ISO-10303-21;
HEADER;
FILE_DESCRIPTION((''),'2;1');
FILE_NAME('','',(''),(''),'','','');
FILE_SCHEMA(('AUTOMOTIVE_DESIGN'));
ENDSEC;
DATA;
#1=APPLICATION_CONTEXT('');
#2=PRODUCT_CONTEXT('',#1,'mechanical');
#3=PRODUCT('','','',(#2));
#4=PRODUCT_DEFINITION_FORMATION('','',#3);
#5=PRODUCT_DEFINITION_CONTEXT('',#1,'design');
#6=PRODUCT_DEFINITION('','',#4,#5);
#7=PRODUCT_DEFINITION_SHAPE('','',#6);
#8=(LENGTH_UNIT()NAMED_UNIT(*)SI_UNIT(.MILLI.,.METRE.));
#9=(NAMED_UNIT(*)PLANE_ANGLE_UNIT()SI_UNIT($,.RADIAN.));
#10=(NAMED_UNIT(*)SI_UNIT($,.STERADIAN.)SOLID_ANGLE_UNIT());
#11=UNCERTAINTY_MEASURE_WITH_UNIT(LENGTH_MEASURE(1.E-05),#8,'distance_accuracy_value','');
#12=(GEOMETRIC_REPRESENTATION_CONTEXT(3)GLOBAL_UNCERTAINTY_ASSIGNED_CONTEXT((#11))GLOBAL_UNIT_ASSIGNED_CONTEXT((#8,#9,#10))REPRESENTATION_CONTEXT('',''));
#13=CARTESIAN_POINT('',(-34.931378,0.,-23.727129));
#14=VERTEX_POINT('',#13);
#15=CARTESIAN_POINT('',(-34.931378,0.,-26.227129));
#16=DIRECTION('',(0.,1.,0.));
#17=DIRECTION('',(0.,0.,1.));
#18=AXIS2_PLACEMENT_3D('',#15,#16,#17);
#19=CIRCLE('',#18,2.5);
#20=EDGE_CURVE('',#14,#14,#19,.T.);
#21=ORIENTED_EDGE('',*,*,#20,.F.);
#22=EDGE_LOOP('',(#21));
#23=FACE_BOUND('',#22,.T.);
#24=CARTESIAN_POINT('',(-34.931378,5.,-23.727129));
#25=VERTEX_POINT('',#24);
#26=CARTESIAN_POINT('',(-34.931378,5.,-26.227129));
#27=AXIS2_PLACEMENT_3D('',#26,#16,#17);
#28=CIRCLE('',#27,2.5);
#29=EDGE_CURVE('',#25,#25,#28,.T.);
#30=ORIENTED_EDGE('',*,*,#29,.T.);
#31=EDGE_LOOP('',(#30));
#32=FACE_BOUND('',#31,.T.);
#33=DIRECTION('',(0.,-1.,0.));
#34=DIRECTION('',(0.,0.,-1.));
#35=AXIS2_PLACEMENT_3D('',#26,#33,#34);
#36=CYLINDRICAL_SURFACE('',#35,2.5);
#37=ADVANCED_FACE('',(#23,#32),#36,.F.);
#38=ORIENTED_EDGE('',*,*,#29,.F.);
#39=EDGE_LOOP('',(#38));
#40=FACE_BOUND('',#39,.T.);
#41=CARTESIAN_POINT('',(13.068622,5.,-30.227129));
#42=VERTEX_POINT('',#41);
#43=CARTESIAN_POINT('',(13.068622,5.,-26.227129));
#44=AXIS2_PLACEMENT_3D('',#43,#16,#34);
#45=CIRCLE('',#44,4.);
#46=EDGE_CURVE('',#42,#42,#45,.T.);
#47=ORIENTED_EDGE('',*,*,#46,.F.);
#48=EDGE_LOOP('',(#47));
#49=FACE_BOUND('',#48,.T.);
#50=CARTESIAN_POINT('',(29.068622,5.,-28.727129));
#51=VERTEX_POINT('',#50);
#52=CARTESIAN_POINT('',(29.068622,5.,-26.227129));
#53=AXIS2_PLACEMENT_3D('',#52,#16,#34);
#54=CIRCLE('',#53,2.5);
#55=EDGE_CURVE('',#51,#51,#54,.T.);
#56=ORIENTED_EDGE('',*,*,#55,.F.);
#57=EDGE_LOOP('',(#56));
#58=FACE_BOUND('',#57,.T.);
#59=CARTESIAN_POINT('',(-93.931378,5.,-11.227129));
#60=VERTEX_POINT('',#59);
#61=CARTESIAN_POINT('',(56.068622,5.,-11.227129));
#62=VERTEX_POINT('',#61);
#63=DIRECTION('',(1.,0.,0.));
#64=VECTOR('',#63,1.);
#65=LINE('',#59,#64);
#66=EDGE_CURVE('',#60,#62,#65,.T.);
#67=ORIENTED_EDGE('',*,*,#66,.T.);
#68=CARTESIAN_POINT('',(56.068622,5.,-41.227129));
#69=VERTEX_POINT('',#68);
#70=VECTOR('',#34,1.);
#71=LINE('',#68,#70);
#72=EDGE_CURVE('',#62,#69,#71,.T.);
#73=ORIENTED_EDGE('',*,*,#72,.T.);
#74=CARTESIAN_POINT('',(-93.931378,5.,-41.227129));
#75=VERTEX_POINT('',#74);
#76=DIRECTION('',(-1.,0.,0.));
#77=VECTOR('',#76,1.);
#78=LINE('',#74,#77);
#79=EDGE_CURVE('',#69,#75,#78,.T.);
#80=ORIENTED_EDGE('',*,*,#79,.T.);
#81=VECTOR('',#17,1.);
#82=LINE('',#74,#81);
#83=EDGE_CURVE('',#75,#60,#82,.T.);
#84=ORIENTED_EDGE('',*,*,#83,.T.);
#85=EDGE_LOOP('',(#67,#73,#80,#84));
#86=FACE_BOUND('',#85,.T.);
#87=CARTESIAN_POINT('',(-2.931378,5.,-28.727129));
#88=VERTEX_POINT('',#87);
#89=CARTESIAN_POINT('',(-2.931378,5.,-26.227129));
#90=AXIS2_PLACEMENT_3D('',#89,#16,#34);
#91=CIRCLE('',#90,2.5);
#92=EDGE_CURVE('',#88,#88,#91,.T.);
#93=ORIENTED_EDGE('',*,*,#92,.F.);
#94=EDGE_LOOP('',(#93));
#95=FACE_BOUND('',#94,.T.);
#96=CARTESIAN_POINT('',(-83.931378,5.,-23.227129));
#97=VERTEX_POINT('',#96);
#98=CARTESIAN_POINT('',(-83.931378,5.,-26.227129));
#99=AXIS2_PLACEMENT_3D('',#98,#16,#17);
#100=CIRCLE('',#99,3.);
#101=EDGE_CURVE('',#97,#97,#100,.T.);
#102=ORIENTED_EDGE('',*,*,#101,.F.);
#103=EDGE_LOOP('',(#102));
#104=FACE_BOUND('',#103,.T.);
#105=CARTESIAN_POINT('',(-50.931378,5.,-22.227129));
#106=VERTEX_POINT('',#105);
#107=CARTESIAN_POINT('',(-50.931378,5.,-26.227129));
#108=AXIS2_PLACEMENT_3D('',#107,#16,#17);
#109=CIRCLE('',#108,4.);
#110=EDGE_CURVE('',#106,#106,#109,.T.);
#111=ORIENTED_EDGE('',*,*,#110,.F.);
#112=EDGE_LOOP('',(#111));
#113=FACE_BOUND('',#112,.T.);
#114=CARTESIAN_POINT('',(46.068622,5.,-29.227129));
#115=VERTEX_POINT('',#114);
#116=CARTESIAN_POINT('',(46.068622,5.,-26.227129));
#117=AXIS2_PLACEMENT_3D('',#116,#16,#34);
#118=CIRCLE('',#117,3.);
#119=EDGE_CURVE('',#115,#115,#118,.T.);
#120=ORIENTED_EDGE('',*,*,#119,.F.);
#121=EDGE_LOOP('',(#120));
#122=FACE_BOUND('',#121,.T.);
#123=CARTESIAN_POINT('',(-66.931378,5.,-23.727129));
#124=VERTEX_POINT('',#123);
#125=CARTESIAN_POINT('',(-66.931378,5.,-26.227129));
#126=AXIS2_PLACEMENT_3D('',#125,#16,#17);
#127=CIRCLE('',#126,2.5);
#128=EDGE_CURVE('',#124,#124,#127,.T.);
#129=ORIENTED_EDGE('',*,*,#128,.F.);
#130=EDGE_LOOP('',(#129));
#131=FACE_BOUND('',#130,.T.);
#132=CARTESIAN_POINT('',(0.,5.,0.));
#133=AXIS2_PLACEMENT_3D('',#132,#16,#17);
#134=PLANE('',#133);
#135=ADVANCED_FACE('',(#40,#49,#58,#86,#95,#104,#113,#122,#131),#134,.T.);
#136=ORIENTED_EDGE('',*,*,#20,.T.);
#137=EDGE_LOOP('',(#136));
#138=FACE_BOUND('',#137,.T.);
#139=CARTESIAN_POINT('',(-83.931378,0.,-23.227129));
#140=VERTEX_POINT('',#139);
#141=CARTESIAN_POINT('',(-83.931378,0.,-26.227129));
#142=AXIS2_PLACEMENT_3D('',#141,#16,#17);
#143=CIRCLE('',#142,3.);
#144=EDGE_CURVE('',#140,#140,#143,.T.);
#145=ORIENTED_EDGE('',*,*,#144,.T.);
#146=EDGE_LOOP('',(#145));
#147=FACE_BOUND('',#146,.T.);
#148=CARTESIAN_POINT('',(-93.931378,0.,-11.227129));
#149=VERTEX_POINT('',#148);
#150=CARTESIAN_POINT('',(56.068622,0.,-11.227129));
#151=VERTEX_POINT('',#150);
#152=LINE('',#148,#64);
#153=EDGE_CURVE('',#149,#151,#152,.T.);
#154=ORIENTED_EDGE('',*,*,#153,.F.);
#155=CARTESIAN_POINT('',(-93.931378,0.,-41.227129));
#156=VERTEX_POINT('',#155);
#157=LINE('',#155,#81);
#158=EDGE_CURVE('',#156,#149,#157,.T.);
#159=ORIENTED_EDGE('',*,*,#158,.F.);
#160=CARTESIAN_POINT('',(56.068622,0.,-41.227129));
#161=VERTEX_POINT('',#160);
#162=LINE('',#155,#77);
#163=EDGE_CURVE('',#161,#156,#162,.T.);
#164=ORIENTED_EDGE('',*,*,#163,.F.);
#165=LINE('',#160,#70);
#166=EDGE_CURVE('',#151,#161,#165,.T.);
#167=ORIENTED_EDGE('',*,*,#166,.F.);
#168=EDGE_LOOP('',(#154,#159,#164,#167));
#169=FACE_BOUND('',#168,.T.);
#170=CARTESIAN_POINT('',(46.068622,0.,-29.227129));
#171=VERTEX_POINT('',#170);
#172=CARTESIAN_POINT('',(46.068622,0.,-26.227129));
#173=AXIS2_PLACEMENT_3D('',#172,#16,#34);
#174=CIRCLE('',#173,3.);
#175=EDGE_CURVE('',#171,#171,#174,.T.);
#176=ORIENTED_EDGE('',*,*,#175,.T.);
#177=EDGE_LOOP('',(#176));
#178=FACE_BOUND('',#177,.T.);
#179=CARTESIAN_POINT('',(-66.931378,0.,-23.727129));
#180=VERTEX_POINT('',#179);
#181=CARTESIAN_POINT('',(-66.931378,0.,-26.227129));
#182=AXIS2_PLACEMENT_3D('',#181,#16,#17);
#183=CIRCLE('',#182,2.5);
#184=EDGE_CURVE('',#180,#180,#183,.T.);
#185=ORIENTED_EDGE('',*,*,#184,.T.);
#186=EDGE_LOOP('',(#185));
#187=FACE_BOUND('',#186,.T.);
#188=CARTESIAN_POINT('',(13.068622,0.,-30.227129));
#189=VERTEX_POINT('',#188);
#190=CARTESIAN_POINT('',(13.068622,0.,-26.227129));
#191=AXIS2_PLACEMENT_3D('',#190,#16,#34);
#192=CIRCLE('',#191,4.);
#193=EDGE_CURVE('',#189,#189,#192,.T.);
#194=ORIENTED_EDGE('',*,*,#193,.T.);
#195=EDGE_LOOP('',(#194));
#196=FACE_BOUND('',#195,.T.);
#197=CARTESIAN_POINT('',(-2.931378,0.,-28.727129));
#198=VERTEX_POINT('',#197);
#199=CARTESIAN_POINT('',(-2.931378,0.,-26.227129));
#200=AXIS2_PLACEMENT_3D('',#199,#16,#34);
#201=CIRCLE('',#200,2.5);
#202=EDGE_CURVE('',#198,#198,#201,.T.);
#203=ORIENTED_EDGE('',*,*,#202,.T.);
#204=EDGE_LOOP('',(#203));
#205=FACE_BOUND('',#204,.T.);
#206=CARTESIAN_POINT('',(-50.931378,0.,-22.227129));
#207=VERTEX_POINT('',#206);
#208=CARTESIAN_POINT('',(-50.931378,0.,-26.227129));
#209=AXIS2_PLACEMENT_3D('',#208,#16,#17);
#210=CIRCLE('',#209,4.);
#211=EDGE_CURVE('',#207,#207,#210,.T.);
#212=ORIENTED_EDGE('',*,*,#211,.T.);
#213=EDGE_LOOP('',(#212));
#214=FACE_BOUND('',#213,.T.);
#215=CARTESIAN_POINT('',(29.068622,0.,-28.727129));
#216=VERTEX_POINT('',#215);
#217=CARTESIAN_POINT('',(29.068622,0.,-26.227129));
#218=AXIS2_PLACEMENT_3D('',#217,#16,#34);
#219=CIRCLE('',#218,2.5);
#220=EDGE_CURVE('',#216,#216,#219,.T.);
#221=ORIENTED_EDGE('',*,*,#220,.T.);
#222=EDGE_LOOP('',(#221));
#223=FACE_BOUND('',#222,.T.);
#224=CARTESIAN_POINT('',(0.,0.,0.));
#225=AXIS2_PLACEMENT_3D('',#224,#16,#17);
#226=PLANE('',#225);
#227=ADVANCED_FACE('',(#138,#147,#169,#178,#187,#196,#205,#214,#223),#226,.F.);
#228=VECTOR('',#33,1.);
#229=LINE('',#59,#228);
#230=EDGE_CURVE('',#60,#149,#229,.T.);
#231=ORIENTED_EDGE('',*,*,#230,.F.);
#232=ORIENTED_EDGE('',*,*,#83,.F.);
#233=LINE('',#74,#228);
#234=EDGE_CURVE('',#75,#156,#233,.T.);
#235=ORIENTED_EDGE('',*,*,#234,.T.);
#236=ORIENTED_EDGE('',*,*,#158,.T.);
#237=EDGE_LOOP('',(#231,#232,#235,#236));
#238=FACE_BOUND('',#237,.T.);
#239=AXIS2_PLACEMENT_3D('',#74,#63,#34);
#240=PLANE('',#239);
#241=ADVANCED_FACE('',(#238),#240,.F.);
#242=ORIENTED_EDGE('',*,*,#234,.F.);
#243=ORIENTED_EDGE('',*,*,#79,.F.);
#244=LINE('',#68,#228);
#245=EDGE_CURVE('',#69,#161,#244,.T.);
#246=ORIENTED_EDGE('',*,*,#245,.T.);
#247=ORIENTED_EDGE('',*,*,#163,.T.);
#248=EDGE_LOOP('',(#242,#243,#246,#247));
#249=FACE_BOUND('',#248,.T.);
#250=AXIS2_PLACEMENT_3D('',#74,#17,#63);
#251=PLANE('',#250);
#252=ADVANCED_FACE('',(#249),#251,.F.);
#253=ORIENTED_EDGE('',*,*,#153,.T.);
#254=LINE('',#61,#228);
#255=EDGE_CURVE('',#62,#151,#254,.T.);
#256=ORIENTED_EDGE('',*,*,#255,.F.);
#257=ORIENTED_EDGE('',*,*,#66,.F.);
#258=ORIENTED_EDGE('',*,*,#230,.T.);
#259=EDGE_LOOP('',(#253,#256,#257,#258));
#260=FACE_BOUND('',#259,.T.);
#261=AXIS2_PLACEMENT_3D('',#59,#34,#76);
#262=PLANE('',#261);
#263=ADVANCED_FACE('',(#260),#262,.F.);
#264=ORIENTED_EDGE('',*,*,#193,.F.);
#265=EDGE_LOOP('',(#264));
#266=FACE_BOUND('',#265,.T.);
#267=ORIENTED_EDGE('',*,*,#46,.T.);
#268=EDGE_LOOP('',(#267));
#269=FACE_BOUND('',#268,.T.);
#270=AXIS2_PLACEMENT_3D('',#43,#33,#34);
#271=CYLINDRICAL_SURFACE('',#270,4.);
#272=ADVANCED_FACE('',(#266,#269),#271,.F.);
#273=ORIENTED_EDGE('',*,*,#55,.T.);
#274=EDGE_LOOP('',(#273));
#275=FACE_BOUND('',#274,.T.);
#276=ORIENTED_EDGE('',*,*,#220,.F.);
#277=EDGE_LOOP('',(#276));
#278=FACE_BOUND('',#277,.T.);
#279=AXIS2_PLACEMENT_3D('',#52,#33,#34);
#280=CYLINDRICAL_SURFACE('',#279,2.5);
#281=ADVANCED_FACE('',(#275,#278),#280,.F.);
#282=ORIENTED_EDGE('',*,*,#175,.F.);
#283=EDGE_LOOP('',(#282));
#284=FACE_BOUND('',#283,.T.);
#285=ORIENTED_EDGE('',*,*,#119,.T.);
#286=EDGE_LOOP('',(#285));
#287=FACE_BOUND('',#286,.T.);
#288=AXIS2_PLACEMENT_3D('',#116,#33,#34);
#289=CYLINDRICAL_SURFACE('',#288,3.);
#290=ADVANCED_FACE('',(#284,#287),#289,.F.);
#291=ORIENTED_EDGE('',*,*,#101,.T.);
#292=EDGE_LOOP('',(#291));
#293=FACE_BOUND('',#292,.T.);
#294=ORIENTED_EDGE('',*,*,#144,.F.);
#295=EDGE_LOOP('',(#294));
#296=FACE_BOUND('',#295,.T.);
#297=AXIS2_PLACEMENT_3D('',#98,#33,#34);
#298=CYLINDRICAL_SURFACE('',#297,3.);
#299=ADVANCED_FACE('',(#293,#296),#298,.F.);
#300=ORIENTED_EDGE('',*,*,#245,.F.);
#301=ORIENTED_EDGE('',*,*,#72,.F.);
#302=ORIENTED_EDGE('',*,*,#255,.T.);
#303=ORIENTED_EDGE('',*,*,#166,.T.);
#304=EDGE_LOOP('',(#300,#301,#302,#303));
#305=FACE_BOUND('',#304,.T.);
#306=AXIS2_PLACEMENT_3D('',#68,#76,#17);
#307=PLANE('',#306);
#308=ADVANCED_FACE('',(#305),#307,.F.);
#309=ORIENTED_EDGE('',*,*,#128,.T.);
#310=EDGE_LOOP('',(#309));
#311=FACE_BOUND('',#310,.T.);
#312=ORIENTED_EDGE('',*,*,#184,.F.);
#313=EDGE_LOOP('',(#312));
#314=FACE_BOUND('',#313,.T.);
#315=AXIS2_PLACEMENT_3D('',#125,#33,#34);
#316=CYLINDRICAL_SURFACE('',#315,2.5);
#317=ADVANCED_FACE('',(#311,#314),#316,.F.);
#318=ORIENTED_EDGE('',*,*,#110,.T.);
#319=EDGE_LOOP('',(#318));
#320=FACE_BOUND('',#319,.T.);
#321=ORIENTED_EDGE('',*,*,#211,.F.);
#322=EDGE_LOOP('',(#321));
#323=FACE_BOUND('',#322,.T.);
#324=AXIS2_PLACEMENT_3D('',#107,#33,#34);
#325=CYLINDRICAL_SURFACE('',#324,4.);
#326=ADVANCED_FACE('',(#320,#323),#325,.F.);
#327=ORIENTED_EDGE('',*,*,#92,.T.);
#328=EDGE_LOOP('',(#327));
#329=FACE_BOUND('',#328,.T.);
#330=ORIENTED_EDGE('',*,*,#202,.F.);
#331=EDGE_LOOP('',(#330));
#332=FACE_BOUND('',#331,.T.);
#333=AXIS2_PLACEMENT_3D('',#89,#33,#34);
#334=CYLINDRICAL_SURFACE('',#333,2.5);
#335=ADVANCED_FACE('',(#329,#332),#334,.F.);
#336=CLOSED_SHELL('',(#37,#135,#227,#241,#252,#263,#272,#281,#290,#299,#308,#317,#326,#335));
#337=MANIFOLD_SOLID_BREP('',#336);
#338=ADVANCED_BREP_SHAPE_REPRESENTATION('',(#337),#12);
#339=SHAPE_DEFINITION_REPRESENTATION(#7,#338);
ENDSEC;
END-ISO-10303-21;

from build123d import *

# Parameters (mm, degrees)
SKETCH1_W           = 150
SKETCH1_H           = 30
SKETCH1_R           = 3
SKETCH1_R_2         = 4
SKETCH1_R_3         = 2.5
BOSS_EXTRUDE1_DEPTH = 5


with BuildPart() as part:
    # Sketch1 → Boss-Extrude1 (new body)
    with BuildSketch(Plane(origin=(0, 0, 0), x_dir=(1, 0, 0), z_dir=(0, 1, 0))):
        with Locations((-18.931377556, 26.227128617)):
            Rectangle(SKETCH1_W, SKETCH1_H)
        with Locations(Location((-83.931377556, 26.227128617, 0), (0, 0, 270))):
            Circle(SKETCH1_R, mode=Mode.SUBTRACT)
        with Locations(Location((46.068622444, 26.227128617, 0), (0, 0, 90))):
            Circle(SKETCH1_R, mode=Mode.SUBTRACT)
        with Locations(Location((-50.931377556, 26.227128617, 0), (0, 0, 270))):
            Circle(SKETCH1_R_2, mode=Mode.SUBTRACT)
        with Locations(Location((-34.931377556, 26.227128617, 0), (0, 0, 270))):
            Circle(SKETCH1_R_3, mode=Mode.SUBTRACT)
        with Locations(Location((-66.931377556, 26.227128617, 0), (0, 0, 270))):
            Circle(SKETCH1_R_3, mode=Mode.SUBTRACT)
        with Locations(Location((-2.931377556, 26.227128617, 0), (0, 0, 90))):
            Circle(SKETCH1_R_3, mode=Mode.SUBTRACT)
        with Locations(Location((13.068622444, 26.227128617, 0), (0, 0, 90))):
            Circle(SKETCH1_R_2, mode=Mode.SUBTRACT)
        with Locations(Location((29.068622444, 26.227128617, 0), (0, 0, 90))):
            Circle(SKETCH1_R_3, mode=Mode.SUBTRACT)
    extrude(amount=BOSS_EXTRUDE1_DEPTH)


solid = part.part
